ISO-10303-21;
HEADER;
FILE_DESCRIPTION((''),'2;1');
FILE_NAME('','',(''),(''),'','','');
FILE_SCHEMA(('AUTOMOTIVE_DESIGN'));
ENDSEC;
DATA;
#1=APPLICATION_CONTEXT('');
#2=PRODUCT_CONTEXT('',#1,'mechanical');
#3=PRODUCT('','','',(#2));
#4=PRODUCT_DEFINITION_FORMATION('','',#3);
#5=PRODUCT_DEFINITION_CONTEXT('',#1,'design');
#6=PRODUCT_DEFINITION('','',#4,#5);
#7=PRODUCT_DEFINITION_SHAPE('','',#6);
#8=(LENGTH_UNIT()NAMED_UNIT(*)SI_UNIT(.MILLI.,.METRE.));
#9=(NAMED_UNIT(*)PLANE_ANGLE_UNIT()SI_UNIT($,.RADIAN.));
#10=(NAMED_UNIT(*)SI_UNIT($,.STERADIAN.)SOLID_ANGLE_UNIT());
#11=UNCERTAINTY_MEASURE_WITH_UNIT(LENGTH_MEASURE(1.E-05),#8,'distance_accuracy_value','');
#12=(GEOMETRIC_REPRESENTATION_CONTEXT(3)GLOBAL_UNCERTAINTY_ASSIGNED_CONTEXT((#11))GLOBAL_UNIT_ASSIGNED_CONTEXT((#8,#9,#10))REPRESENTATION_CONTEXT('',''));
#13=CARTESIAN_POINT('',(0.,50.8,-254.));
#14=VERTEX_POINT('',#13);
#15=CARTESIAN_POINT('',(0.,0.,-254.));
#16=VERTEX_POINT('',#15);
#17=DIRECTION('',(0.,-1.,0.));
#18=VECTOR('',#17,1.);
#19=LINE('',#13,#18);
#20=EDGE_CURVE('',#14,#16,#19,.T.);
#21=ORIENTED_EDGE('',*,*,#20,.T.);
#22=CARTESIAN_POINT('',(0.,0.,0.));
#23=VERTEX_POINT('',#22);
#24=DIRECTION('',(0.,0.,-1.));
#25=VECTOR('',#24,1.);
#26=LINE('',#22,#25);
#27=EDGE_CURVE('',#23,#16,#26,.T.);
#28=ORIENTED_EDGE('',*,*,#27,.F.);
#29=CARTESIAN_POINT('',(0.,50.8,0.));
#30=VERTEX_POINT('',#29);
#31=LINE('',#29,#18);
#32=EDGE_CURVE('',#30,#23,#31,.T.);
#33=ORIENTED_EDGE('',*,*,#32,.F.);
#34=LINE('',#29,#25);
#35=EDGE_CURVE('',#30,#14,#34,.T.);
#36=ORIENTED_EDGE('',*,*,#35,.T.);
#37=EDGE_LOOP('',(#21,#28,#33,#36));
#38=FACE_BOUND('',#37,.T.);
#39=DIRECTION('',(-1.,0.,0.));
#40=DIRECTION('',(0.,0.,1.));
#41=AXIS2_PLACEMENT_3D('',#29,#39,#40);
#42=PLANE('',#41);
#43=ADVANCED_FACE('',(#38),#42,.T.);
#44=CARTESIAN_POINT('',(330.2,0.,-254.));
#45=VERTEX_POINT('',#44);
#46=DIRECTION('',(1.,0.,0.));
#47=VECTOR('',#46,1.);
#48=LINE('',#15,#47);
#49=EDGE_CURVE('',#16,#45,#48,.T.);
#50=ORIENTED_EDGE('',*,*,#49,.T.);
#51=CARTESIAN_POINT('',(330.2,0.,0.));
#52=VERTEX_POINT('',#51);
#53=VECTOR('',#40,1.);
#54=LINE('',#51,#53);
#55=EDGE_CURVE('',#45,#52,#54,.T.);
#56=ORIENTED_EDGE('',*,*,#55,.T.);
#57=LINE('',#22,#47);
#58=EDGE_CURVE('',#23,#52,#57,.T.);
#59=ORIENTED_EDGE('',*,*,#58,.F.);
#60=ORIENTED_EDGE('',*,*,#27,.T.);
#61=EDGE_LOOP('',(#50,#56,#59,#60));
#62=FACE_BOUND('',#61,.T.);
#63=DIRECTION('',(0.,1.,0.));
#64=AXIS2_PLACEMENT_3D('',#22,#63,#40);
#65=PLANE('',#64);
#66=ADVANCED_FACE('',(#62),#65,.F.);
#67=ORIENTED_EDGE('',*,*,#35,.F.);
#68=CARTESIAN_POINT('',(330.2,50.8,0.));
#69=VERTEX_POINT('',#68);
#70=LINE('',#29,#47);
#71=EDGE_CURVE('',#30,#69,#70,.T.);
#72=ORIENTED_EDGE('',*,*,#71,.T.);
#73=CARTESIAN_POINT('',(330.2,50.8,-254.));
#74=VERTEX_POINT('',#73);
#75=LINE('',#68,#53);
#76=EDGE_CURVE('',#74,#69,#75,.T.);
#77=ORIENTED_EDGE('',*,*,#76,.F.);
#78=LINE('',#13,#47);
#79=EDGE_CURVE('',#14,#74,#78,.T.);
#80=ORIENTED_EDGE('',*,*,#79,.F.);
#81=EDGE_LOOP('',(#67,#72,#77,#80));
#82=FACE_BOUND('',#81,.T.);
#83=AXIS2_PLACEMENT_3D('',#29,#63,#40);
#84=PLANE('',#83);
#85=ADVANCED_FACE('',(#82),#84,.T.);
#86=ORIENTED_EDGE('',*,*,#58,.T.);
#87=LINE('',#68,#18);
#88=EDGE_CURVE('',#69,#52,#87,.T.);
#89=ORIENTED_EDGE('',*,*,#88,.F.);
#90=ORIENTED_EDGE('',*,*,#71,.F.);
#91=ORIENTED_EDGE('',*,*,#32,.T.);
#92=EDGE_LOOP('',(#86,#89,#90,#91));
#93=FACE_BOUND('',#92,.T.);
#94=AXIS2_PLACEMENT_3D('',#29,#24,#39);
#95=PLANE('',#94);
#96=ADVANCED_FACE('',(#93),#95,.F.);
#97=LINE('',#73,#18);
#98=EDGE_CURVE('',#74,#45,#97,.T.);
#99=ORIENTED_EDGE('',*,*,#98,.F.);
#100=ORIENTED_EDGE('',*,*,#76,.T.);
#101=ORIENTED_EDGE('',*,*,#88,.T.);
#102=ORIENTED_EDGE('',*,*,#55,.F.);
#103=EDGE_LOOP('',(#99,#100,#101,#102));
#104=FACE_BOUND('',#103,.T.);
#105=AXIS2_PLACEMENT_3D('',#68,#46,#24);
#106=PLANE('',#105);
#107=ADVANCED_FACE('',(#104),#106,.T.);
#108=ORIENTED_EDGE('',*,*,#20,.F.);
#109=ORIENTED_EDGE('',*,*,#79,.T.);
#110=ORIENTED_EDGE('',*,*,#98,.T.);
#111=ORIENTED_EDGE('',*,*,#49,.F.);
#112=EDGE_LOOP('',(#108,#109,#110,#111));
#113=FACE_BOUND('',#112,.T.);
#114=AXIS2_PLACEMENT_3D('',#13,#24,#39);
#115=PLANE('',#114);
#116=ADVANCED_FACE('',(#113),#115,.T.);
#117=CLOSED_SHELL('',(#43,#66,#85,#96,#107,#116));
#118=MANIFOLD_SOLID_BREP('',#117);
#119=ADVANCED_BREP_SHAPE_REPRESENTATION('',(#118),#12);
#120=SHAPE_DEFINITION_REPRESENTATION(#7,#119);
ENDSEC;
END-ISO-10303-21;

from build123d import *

# Parameters (mm, degrees)
BOSS_EXTRUDE1_DEPTH = 50.8


with BuildPart() as part:
    # Sketch1 → Boss-Extrude1 (new body)
    with BuildSketch(Plane(origin=(0, 0, 0), x_dir=(1, 0, 0), z_dir=(0, 1, 0))):
        Polygon((0, 203.2), (0, 0), (165.1, 0), (165.1, 254), (0, 254), align=None)
        Polygon((165.1, 254), (165.1, 0), (330.2, 0), (330.2, 203.2), (330.2, 254), align=None)
    extrude(amount=BOSS_EXTRUDE1_DEPTH)


solid = part.part
